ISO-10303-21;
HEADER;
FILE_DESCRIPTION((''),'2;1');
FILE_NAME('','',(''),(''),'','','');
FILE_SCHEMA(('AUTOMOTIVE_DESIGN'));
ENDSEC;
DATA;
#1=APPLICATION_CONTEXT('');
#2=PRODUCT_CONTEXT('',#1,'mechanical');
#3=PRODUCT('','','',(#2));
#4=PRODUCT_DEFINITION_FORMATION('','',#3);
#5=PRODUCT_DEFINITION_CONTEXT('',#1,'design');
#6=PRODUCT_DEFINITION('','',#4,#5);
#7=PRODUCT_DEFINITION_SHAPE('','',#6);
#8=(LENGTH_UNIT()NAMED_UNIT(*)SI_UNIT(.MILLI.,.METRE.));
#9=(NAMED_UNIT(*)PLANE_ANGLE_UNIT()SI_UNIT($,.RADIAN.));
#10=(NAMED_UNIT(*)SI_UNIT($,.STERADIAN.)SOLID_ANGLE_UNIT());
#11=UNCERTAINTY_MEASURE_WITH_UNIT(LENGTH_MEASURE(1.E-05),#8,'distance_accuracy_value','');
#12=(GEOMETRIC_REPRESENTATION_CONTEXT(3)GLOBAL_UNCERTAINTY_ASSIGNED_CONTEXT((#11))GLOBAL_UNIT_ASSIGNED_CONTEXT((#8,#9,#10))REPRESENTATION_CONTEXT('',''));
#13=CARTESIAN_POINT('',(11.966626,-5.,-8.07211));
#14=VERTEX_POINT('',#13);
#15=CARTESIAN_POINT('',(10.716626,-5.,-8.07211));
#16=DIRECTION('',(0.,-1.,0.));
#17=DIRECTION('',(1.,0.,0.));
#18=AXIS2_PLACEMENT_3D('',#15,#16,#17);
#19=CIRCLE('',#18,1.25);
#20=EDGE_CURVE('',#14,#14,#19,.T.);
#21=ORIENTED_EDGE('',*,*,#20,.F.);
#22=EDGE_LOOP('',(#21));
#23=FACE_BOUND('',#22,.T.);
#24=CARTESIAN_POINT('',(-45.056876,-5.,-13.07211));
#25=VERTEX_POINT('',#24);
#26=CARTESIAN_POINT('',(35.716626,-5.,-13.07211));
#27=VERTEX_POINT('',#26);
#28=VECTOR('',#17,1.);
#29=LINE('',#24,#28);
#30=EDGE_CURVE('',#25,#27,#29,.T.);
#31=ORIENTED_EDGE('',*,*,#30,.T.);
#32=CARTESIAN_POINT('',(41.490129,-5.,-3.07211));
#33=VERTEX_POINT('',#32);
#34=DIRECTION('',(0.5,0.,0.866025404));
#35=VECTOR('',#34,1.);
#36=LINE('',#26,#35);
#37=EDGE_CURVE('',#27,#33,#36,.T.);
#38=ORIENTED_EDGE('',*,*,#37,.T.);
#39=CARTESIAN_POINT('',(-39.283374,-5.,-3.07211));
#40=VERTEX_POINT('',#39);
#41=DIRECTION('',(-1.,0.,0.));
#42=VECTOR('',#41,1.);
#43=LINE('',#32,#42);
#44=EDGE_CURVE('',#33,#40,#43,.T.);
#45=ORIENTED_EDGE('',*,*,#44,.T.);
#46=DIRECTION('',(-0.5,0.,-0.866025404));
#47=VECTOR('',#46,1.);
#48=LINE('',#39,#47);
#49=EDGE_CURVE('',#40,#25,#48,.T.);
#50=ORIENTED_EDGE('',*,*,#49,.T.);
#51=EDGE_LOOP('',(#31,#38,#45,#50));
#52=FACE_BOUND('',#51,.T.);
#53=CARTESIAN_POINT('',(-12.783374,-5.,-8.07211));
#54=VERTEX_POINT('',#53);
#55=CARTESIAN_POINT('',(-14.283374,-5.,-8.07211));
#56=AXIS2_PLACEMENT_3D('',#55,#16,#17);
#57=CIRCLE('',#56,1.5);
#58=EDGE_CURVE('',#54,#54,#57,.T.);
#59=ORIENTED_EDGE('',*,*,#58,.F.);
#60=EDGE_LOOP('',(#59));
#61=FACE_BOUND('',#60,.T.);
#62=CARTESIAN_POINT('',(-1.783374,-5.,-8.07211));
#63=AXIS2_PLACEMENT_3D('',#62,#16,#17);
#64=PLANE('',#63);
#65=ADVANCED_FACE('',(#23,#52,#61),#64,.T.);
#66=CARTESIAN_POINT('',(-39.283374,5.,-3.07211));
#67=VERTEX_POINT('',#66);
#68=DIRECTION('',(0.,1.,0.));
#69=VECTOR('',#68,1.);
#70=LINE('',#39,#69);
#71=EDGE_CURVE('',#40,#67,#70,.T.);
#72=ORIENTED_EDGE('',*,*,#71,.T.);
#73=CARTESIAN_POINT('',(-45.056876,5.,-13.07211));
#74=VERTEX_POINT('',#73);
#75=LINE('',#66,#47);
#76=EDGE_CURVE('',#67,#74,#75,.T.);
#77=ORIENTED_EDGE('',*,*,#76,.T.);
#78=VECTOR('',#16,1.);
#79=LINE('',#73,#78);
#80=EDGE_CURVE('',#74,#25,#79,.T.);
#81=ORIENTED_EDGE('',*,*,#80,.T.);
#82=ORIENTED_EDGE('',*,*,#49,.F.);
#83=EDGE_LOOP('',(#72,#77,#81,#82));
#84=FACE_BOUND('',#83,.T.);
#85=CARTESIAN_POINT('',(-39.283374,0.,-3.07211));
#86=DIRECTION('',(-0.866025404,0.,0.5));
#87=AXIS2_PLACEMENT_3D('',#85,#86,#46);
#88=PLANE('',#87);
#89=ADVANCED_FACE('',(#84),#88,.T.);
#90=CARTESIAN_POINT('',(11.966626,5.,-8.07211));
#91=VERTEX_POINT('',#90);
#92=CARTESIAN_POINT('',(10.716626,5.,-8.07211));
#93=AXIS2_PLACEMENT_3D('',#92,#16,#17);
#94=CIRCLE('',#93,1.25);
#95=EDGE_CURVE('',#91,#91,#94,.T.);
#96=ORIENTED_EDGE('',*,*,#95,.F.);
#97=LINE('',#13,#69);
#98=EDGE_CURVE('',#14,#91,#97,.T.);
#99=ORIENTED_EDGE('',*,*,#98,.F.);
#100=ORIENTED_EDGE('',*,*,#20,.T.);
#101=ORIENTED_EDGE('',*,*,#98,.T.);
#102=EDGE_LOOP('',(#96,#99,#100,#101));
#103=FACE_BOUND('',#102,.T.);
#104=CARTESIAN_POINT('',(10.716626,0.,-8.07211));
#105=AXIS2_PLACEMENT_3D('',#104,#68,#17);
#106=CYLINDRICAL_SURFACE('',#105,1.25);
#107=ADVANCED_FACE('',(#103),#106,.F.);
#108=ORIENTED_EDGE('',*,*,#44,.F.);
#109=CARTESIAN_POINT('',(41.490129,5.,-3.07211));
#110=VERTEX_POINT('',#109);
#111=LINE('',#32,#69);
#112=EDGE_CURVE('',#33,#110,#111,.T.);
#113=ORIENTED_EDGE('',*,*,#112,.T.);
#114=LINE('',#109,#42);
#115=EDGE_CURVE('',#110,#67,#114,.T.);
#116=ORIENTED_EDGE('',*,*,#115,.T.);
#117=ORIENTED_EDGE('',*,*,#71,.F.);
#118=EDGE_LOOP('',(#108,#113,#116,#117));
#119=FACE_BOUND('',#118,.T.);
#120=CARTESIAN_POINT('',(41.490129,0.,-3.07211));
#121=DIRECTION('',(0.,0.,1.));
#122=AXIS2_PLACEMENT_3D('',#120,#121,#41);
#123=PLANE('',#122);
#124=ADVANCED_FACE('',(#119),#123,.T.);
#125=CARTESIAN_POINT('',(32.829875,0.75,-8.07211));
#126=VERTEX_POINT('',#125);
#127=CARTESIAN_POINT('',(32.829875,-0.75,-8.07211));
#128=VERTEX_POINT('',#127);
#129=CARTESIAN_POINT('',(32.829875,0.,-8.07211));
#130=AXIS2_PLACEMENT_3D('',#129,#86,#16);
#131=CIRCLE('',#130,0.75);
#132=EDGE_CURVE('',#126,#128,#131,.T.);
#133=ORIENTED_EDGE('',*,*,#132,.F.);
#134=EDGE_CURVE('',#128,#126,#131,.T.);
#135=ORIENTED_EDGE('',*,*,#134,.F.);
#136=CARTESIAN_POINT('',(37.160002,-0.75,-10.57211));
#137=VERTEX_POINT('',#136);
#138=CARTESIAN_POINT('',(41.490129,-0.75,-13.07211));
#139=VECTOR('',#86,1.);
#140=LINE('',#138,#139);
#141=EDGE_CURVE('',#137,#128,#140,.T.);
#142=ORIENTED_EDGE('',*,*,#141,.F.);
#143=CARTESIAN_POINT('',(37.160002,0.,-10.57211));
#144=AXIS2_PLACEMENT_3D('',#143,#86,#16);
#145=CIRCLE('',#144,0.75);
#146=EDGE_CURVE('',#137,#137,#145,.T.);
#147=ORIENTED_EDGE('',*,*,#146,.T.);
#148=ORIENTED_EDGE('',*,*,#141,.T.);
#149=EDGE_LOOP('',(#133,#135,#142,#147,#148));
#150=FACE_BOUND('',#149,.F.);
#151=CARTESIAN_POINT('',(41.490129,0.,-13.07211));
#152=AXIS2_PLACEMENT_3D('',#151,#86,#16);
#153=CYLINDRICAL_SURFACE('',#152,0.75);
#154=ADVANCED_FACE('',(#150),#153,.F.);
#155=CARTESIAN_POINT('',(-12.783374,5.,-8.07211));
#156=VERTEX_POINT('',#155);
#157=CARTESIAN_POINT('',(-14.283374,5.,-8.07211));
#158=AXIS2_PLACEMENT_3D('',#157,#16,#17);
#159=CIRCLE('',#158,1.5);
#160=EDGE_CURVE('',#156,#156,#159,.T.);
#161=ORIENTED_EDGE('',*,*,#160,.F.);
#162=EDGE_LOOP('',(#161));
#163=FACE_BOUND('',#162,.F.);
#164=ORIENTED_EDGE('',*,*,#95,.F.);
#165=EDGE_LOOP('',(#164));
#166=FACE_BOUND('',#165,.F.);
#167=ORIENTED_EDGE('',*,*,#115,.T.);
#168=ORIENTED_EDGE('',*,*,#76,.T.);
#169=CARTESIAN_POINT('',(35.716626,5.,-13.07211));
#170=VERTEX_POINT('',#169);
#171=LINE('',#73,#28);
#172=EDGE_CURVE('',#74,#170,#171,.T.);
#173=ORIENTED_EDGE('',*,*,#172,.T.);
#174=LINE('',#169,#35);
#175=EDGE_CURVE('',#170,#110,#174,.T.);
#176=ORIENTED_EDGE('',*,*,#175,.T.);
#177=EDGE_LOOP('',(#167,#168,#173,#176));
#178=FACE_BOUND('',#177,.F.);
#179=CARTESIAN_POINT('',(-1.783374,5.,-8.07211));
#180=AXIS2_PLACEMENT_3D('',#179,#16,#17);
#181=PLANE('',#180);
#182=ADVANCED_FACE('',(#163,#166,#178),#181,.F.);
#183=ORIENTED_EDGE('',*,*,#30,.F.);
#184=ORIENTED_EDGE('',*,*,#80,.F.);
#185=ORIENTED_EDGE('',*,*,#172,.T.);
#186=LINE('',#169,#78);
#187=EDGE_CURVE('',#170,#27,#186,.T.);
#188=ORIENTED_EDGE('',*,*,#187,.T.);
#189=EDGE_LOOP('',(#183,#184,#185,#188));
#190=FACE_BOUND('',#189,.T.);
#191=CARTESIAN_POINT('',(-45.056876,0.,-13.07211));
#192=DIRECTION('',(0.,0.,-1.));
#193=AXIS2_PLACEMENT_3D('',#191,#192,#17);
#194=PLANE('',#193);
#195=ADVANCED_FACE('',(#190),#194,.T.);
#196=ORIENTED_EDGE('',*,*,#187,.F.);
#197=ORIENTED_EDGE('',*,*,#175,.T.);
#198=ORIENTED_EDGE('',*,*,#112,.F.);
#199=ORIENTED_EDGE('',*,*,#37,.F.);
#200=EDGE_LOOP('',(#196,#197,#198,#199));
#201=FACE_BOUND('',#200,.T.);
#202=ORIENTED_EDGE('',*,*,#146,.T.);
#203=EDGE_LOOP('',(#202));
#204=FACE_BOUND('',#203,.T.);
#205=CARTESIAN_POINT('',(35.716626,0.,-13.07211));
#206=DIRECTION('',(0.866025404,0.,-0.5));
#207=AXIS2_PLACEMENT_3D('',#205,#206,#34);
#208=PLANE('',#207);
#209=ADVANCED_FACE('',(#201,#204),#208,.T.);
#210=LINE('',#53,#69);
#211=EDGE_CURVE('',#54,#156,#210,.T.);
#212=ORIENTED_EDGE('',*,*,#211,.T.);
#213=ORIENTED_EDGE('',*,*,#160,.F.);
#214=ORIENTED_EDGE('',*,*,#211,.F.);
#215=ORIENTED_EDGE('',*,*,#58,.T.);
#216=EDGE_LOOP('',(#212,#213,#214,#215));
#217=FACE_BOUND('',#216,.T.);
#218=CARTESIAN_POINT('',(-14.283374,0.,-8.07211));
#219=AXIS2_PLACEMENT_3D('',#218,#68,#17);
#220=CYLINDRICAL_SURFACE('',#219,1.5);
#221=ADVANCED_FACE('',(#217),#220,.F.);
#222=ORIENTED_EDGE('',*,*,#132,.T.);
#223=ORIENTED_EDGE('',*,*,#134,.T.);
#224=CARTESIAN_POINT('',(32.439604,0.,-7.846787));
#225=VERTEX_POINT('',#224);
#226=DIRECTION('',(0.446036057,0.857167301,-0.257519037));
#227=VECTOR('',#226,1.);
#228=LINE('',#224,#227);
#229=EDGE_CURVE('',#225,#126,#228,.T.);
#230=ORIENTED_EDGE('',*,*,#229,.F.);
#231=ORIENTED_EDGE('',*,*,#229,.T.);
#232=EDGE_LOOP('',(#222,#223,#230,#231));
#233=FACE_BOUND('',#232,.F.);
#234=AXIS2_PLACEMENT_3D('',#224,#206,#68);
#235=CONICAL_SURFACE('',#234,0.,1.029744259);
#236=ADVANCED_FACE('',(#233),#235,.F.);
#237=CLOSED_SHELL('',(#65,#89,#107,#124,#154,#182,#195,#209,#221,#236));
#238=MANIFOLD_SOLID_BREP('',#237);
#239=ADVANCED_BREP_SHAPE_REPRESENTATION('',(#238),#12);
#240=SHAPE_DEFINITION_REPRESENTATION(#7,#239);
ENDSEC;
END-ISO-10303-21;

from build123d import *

# Parameters (mm, degrees)
F0_R     = 1.5
F0_R_2   = 1.25
F1_DEPTH = 5
F3_D     = 1.5
F3_DEPTH = 5
F3_TIP   = 0.4506454643


with BuildPart() as f1:
    # F0 (on Front) → F1 (new body, symmetric)
    with BuildSketch(Plane.XZ):
        Polygon((35.7166262344, -3.072109893), (-39.2833737656, -3.072109893), (-45.0568764575, -13.072109893), (-39.2833737656, -13.072109893), (35.7166262344, -13.072109893), (41.4901289262, -3.072109893), align=None)
        with Locations((-14.2833737656, -8.072109893)):
            Circle(F0_R, mode=Mode.SUBTRACT)
        with Locations((10.7166262344, -8.072109893)):
            Circle(F0_R_2, mode=Mode.SUBTRACT)
    extrude(amount=F1_DEPTH, both=True)

    # F3
    with Locations(Plane(origin=(32.4478592999, 0, -18.7337803015), x_dir=(0, 1, 0), z_dir=(0.8660254038, 0, -0.5))):
        with Locations((0, 9.4242852148)):
            Hole(F3_D / 2, depth=F3_DEPTH)
            with Locations((0, 0, -(F3_DEPTH + F3_TIP / 2))):  # 118° drill point
                Cone(0, F3_D / 2, F3_TIP, mode=Mode.SUBTRACT)


solid = f1.part
